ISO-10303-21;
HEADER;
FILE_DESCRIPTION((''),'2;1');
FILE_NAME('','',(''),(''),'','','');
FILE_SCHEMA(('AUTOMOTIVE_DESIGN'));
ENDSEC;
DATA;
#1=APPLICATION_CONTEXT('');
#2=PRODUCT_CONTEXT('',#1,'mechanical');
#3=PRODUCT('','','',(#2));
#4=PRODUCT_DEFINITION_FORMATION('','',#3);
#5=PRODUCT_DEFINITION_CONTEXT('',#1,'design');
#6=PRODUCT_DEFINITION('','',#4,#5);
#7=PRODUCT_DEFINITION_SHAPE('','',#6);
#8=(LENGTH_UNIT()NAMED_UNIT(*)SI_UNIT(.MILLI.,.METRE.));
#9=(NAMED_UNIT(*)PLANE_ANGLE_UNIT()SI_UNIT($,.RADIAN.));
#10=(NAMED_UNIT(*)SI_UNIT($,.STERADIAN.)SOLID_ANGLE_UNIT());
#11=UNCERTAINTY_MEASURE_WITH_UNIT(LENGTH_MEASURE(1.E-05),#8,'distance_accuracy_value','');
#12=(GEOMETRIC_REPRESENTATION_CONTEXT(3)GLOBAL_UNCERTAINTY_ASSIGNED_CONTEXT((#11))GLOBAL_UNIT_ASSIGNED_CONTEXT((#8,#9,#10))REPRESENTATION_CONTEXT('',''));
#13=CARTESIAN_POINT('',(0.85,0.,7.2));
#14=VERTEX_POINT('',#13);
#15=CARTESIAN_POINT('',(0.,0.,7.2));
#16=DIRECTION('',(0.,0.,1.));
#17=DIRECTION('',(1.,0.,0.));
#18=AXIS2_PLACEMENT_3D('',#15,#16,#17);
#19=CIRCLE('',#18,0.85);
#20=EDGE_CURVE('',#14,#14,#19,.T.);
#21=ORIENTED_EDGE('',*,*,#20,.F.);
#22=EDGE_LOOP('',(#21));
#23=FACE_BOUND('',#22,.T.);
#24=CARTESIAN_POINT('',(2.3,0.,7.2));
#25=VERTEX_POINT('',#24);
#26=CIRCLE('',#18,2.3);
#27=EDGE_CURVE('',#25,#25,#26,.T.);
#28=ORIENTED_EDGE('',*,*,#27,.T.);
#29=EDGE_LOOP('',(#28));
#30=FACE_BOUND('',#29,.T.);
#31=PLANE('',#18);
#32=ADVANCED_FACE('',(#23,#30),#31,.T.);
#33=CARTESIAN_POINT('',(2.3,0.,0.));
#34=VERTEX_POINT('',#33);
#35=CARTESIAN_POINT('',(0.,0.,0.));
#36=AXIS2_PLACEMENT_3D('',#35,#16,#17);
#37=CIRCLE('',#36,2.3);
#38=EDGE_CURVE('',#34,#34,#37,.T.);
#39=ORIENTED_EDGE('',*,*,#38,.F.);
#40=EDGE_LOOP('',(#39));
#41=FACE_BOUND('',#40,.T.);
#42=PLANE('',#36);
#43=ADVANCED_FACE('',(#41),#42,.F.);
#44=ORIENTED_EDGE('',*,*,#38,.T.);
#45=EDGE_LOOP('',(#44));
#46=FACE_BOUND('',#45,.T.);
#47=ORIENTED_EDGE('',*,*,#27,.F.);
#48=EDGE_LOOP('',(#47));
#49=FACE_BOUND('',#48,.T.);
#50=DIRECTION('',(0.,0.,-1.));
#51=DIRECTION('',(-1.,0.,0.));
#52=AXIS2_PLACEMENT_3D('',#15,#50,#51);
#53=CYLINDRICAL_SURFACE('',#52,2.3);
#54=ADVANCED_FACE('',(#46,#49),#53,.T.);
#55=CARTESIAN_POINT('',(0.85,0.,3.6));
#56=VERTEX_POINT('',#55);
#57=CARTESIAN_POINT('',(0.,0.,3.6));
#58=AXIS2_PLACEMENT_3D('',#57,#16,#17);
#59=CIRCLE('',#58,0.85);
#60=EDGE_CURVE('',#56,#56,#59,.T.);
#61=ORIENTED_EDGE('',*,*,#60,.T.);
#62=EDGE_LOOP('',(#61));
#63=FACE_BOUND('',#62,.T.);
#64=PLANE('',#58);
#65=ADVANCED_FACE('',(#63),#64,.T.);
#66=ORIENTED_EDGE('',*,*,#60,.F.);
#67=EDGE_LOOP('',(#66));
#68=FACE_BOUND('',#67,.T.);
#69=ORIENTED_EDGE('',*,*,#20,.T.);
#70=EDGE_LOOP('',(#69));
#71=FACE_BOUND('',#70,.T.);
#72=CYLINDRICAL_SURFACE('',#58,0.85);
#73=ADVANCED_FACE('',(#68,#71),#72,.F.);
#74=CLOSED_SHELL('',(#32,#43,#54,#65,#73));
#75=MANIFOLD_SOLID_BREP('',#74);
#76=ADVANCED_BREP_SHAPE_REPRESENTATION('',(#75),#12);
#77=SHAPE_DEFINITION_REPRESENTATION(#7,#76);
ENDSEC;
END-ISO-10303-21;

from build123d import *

# Parameters (mm, degrees)
SKETCH1_R           = 2.3
BOSS_EXTRUDE1_DEPTH = 7.2
SKETCH2_R           = 0.85
CUT_EXTRUDE1_DEPTH  = 3.6


with BuildPart() as part:
    # Sketch1 → Boss-Extrude1 (new body)
    with BuildSketch(Plane.XY):
        Circle(SKETCH1_R)
    extrude(amount=BOSS_EXTRUDE1_DEPTH)

    # Sketch2 → Cut-Extrude1 (cut)
    with BuildSketch(Plane.XY.offset(7.2)):
        Circle(SKETCH2_R)
    extrude(amount=-CUT_EXTRUDE1_DEPTH, mode=Mode.SUBTRACT)


solid = part.part
